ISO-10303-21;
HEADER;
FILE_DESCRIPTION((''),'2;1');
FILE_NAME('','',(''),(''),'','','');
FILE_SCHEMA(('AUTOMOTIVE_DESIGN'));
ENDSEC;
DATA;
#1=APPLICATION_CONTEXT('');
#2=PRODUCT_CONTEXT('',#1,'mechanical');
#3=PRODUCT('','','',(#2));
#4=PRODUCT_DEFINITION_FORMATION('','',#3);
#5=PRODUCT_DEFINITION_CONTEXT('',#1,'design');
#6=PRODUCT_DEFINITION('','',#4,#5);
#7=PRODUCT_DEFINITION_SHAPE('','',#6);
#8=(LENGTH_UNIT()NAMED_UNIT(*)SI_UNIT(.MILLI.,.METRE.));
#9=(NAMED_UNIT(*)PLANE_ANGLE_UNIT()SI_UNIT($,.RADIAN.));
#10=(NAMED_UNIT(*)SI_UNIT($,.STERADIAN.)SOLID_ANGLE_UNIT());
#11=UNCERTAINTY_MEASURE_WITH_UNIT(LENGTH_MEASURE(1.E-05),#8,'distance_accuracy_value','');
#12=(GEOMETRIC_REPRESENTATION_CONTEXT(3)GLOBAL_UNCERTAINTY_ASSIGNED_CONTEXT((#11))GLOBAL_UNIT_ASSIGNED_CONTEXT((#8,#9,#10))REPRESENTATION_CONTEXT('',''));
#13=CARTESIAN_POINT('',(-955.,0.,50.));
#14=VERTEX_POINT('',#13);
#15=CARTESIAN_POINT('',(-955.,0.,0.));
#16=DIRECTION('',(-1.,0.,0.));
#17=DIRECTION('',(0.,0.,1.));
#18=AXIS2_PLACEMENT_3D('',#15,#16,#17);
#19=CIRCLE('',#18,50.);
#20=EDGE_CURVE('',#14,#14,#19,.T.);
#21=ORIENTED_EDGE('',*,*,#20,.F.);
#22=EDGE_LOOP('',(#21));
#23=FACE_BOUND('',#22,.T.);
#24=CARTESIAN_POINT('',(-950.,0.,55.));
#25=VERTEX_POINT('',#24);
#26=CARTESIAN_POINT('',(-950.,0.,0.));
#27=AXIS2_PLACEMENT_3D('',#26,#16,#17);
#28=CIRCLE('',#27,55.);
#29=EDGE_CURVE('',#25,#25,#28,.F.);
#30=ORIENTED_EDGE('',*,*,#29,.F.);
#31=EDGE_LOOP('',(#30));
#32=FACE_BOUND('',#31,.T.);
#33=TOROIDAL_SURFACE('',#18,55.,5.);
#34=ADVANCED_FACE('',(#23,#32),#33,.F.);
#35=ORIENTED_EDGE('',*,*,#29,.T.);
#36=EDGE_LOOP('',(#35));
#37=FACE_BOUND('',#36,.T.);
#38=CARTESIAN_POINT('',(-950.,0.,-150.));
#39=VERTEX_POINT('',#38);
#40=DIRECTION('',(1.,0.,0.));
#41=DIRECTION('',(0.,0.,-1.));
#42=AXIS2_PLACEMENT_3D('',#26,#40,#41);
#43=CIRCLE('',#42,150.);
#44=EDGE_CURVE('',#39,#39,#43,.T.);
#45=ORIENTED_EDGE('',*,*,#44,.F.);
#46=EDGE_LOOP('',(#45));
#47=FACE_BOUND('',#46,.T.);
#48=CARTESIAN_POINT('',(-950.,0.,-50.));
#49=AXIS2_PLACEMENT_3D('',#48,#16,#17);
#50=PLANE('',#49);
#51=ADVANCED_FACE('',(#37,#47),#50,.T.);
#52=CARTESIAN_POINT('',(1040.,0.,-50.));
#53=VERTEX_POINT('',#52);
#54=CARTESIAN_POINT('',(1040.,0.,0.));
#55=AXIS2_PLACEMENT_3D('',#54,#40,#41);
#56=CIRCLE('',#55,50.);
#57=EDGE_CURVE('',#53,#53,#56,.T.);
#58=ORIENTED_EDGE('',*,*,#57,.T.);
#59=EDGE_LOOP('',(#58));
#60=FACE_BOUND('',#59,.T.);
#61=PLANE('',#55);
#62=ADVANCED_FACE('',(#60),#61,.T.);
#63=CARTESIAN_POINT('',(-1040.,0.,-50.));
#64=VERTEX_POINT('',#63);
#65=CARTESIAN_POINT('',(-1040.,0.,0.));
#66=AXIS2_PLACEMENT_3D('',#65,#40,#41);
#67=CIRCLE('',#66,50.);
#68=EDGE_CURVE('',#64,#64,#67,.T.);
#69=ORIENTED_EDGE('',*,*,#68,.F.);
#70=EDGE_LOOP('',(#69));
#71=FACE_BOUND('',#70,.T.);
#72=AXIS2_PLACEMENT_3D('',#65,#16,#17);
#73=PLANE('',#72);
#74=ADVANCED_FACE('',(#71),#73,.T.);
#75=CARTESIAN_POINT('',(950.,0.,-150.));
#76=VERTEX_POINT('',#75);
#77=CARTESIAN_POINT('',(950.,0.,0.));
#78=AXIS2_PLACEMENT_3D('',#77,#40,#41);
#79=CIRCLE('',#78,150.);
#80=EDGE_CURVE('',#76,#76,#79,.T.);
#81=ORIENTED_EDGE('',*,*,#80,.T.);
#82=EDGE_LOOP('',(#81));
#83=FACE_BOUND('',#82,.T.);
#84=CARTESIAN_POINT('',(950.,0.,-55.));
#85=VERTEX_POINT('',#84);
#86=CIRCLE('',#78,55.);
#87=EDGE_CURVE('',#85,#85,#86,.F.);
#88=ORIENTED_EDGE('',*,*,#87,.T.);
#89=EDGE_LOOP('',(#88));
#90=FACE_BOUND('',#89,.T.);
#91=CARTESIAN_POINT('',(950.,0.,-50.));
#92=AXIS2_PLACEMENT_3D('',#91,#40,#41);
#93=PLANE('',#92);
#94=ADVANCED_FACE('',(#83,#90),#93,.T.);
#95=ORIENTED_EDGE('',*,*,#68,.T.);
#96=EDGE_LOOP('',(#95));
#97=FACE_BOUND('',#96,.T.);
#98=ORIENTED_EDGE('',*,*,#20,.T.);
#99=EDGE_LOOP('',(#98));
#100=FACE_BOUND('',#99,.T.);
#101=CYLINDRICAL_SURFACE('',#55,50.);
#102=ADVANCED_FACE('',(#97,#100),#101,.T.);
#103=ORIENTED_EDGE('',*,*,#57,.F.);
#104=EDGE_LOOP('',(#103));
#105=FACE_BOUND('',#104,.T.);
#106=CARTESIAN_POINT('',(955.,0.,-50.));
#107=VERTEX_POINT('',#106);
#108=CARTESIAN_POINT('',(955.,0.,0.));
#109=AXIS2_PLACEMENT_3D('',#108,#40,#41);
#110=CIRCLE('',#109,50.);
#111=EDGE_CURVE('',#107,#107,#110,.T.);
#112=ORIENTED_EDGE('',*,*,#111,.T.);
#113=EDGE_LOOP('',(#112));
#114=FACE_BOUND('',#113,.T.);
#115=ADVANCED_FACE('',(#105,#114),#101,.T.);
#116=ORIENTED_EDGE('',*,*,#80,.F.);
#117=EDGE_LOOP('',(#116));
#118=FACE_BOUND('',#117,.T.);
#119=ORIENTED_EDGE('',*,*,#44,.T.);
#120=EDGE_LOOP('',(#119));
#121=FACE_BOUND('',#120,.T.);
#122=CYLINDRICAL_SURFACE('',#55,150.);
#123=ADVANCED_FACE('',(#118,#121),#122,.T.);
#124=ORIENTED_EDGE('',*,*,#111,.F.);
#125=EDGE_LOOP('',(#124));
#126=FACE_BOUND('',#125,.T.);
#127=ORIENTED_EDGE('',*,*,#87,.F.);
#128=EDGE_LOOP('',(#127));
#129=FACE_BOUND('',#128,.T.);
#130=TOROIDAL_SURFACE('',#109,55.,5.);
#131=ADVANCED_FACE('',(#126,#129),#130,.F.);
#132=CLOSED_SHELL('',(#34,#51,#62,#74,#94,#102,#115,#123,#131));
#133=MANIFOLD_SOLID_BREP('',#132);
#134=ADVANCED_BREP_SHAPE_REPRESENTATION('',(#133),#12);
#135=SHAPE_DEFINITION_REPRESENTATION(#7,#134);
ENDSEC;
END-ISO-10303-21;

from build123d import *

# Parameters (mm, degrees)
FILLET1_R = 5


with BuildPart() as part:
    # Sketch1 → Revolve1 (revolve)
    with BuildSketch(Plane(origin=(0, 0, 0), x_dir=(1, 0, 0), z_dir=(0, 1, 0))):
        Polygon((1040, 0), (-1040, 0), (-1040, 50), (-950, 50), (-950, 150), (950, 150), (950, 50), (1040, 50), align=None)
    revolve(axis=Axis((1040, 0, 0), (-1, 0, 0)))

    # Fillet1
    fillet1_edges = [part.edges().sort_by_distance(p)[0] for p in [
        (-950, 0, 50),
        (950, 0, 50),
    ]]
    fillet(fillet1_edges, radius=FILLET1_R)


solid = part.part
